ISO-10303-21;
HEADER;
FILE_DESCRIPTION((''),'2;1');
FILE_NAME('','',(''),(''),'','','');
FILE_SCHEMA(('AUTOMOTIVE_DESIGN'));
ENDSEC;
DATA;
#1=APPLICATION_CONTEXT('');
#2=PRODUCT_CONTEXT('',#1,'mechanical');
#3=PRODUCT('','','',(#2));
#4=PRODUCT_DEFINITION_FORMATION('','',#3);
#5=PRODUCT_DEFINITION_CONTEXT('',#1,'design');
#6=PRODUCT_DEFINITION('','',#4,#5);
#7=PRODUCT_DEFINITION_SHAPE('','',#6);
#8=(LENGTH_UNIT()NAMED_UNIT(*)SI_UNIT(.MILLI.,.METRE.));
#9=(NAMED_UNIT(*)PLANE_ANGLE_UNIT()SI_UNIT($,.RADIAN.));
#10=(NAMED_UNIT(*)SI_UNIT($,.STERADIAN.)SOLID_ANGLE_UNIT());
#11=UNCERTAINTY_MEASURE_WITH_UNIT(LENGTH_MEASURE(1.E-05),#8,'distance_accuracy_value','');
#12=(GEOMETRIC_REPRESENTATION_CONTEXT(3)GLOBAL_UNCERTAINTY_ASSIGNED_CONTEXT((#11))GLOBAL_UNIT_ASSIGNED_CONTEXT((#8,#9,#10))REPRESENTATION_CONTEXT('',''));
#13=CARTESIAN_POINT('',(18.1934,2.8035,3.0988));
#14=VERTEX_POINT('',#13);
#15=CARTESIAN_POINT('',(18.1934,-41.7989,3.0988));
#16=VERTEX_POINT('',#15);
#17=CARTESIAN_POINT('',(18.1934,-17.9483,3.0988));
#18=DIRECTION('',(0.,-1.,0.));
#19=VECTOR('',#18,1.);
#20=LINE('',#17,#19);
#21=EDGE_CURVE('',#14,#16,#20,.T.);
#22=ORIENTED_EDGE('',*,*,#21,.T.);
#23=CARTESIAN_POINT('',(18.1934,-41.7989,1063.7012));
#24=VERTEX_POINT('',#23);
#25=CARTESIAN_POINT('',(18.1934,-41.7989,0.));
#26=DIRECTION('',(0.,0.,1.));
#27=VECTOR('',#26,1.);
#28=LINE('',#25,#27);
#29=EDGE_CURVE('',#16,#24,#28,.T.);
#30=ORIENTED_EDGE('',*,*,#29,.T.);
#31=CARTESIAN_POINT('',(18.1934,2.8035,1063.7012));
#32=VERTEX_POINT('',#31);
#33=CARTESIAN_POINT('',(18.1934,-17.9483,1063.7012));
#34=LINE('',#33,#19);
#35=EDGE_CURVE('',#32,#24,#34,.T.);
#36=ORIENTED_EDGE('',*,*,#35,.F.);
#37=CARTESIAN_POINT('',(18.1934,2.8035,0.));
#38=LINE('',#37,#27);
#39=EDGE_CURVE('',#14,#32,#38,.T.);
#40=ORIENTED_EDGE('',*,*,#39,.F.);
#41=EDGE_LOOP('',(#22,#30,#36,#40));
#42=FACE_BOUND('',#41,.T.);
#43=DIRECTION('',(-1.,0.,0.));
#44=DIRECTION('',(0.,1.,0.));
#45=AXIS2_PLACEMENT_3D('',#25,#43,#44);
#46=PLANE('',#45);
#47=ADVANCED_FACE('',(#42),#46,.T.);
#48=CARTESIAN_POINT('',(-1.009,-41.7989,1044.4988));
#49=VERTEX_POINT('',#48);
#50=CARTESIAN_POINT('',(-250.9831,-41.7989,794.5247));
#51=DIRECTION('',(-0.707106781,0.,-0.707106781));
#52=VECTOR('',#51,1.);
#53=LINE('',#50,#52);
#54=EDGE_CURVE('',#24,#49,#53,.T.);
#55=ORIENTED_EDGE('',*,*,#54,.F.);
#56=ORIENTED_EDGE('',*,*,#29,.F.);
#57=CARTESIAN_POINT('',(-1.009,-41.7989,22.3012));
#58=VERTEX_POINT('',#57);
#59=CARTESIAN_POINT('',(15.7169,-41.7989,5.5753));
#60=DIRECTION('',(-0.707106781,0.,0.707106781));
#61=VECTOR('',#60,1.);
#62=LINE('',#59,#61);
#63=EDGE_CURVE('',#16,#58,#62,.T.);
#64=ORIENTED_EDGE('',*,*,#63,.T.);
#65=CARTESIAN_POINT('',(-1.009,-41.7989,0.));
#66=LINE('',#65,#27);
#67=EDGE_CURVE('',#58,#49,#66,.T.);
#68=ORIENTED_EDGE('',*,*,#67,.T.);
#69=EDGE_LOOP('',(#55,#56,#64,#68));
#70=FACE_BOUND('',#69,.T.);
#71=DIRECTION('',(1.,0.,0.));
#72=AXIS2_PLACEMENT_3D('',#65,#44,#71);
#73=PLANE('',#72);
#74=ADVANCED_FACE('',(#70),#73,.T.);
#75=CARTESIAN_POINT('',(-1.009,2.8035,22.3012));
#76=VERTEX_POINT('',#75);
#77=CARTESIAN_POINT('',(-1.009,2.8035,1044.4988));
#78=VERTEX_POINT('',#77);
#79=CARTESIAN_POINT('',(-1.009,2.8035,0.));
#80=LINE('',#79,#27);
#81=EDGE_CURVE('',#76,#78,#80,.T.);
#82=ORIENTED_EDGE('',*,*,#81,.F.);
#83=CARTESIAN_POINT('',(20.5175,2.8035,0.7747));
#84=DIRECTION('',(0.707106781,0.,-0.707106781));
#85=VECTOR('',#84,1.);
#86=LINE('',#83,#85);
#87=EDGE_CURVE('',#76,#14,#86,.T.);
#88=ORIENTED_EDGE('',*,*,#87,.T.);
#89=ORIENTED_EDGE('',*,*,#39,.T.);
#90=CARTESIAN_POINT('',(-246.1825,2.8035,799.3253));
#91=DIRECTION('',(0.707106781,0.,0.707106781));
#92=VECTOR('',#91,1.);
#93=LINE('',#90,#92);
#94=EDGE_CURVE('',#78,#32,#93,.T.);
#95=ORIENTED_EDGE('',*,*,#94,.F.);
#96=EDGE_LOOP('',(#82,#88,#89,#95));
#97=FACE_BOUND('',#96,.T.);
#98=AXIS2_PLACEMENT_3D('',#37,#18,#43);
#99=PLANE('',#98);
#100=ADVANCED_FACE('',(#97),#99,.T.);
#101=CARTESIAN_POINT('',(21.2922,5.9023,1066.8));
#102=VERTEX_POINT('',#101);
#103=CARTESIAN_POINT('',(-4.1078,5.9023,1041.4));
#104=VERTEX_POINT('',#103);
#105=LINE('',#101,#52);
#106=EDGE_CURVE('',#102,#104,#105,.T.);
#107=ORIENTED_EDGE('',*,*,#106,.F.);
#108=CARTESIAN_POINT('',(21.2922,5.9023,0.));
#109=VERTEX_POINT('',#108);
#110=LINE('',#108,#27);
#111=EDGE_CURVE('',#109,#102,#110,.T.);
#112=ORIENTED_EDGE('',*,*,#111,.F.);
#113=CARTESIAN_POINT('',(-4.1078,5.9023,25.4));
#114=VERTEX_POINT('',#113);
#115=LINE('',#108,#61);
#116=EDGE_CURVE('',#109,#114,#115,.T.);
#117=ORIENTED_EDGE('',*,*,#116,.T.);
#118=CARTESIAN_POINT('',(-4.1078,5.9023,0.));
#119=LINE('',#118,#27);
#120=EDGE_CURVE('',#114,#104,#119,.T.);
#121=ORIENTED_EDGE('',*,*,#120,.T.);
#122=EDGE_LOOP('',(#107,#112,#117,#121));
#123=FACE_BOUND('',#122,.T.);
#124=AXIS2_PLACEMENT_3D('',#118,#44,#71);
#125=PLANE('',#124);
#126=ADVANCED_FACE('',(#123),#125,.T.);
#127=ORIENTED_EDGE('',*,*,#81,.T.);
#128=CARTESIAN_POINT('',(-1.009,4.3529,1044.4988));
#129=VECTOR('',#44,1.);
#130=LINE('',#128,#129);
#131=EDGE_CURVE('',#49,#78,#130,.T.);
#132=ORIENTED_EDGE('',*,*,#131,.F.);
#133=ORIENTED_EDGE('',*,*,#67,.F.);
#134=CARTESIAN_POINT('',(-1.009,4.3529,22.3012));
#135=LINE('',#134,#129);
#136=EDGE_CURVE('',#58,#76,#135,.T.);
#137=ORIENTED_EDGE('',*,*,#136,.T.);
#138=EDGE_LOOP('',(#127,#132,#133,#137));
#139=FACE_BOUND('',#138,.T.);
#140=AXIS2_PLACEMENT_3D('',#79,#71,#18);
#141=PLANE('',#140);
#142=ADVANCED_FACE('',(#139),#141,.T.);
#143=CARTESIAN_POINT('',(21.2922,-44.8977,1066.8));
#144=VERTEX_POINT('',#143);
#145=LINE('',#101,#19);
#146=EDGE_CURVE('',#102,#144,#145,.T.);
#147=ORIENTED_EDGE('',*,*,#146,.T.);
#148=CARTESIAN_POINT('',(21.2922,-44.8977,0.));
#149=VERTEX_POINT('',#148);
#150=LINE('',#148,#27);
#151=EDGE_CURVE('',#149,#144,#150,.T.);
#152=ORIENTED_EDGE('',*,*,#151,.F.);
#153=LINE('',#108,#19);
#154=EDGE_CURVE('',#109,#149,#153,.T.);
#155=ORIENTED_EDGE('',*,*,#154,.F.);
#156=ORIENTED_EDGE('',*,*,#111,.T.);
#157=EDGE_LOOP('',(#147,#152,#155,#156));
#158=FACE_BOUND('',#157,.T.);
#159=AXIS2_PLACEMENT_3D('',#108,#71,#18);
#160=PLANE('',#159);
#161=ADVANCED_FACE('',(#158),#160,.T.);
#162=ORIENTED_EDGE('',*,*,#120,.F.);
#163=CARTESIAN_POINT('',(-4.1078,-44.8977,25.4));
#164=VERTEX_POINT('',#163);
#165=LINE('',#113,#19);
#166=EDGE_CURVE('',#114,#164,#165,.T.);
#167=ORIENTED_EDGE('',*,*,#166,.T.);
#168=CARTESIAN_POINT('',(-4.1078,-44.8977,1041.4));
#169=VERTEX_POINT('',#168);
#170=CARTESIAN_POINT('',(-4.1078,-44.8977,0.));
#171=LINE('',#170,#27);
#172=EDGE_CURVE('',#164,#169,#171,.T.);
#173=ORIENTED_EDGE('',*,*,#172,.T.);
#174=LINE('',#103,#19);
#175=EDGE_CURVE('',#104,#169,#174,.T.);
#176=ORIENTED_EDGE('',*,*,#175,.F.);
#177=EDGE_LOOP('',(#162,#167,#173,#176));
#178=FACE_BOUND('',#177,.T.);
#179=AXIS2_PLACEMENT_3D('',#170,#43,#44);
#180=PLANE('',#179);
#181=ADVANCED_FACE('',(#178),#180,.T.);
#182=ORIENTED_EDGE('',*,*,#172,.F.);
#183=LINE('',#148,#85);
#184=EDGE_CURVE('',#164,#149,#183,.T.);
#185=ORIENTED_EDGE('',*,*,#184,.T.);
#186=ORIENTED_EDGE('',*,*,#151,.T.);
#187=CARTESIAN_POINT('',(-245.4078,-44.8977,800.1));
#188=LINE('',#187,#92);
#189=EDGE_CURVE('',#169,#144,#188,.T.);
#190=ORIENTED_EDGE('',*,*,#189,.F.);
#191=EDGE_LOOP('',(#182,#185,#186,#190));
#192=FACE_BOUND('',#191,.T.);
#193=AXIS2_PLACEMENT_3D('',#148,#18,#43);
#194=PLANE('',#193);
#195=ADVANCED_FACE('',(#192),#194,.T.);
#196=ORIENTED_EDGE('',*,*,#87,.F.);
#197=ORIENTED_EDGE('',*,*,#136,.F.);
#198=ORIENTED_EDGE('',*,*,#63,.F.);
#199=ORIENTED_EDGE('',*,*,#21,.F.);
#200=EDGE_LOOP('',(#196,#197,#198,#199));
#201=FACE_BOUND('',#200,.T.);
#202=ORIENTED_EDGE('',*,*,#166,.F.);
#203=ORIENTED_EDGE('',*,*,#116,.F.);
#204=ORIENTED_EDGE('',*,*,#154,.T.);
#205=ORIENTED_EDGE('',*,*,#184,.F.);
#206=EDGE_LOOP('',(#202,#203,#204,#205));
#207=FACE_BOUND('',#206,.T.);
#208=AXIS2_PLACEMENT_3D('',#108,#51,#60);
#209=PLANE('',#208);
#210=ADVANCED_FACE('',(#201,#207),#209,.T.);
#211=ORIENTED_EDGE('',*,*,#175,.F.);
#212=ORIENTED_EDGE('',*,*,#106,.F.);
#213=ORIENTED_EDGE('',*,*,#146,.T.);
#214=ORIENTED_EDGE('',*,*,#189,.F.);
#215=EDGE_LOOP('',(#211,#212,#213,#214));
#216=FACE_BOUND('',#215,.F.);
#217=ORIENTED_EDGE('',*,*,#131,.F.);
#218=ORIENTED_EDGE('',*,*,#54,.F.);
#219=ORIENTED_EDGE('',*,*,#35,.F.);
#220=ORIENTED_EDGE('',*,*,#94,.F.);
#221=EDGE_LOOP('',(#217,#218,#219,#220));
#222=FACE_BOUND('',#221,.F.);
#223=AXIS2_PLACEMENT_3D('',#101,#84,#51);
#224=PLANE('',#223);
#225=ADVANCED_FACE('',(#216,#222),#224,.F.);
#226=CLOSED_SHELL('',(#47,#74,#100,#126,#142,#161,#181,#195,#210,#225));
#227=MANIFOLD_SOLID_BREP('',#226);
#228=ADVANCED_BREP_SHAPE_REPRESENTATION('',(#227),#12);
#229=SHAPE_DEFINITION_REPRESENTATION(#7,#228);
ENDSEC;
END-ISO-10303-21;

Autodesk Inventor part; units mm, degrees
ref_plane "YZ Plane" through (0, 0, 0) normal (1, 0, 0) x (0, 1, 0)
ref_plane "XZ Plane" through (0, 0, 0) normal (0, 1, 0) x (-1, 0, 0)
ref_plane "XY Plane" through (0, 0, 0) normal (0, 0, 1) x (1, 0, 0)
sketch "Sketch2" plane through (0, 0, 0) normal (0, 0, 1) x (1, 0, 0)
  line L0 (-4.1078, 5.9023) -> (21.2922, 5.9023)
  line L1 (21.2922, 5.9023) -> (21.2922, -44.8977)
  line L2 (21.2922, -44.8977) -> (-4.1078, -44.8977)
  line L3 (-4.1078, -44.8977) -> (-4.1078, 5.9023)
  line L4 (18.1934, 2.8035) -> (-1.009, 2.8035)
  line L5 (-1.009, 2.8035) -> (-1.009, -41.7989)
  line L6 (-1.009, -41.7989) -> (18.1934, -41.7989)
  line L7 (18.1934, -41.7989) -> (18.1934, 2.8035)
  point P0 (0, 0)
  dimension "d0" = 25.4
  dimension "d1" = 50.8
  dimension "d2" = 3.0988
extrude "Extrusion1" add sketch "Sketch2" along normal blind 1066.8
sketch "Sketch5" plane through (0, 0, 1066.8) normal (0, 0, 1) x (1, 0, 0)
  point P0 (0, 0)
sketch "Sketch6" plane through (-4.1078, 5.9023, 0) normal (0, 1, 0) x (1, 0, 0)
  line L0 (25.4, 0) -> (-1.2066, -26.6066)
  line L1 (0, 0) -> (0, -1066.8) projected
  line L2 (0, -25.4) -> (0, 0)
  line L3 (0, 0) -> (25.4, 0)
  line L4 (0, -1066.8) -> (25.4, -1066.8) projected
  line L5 (25.4, -1066.8) -> (-7.0638, -1034.3362)
  line L6 (25.4, -1066.8) -> (71.3108, -1066.8) construction
  line L7 (0, -1041.4) -> (0, -1066.8)
  line L8 (0, -1066.8) -> (25.4, -1066.8)
  point P0 (4.1078, 0)
  dimension "d11" = 135
extrude "Extrusion2" cut sketch "Sketch6" against normal blind 1066.8 contours L0 L1 L3
extrude "Extrusion3" cut sketch "Sketch6" against normal blind 1066.8 contours L5 L4 L1
properties part number "42in 2x1 boxbeam"
